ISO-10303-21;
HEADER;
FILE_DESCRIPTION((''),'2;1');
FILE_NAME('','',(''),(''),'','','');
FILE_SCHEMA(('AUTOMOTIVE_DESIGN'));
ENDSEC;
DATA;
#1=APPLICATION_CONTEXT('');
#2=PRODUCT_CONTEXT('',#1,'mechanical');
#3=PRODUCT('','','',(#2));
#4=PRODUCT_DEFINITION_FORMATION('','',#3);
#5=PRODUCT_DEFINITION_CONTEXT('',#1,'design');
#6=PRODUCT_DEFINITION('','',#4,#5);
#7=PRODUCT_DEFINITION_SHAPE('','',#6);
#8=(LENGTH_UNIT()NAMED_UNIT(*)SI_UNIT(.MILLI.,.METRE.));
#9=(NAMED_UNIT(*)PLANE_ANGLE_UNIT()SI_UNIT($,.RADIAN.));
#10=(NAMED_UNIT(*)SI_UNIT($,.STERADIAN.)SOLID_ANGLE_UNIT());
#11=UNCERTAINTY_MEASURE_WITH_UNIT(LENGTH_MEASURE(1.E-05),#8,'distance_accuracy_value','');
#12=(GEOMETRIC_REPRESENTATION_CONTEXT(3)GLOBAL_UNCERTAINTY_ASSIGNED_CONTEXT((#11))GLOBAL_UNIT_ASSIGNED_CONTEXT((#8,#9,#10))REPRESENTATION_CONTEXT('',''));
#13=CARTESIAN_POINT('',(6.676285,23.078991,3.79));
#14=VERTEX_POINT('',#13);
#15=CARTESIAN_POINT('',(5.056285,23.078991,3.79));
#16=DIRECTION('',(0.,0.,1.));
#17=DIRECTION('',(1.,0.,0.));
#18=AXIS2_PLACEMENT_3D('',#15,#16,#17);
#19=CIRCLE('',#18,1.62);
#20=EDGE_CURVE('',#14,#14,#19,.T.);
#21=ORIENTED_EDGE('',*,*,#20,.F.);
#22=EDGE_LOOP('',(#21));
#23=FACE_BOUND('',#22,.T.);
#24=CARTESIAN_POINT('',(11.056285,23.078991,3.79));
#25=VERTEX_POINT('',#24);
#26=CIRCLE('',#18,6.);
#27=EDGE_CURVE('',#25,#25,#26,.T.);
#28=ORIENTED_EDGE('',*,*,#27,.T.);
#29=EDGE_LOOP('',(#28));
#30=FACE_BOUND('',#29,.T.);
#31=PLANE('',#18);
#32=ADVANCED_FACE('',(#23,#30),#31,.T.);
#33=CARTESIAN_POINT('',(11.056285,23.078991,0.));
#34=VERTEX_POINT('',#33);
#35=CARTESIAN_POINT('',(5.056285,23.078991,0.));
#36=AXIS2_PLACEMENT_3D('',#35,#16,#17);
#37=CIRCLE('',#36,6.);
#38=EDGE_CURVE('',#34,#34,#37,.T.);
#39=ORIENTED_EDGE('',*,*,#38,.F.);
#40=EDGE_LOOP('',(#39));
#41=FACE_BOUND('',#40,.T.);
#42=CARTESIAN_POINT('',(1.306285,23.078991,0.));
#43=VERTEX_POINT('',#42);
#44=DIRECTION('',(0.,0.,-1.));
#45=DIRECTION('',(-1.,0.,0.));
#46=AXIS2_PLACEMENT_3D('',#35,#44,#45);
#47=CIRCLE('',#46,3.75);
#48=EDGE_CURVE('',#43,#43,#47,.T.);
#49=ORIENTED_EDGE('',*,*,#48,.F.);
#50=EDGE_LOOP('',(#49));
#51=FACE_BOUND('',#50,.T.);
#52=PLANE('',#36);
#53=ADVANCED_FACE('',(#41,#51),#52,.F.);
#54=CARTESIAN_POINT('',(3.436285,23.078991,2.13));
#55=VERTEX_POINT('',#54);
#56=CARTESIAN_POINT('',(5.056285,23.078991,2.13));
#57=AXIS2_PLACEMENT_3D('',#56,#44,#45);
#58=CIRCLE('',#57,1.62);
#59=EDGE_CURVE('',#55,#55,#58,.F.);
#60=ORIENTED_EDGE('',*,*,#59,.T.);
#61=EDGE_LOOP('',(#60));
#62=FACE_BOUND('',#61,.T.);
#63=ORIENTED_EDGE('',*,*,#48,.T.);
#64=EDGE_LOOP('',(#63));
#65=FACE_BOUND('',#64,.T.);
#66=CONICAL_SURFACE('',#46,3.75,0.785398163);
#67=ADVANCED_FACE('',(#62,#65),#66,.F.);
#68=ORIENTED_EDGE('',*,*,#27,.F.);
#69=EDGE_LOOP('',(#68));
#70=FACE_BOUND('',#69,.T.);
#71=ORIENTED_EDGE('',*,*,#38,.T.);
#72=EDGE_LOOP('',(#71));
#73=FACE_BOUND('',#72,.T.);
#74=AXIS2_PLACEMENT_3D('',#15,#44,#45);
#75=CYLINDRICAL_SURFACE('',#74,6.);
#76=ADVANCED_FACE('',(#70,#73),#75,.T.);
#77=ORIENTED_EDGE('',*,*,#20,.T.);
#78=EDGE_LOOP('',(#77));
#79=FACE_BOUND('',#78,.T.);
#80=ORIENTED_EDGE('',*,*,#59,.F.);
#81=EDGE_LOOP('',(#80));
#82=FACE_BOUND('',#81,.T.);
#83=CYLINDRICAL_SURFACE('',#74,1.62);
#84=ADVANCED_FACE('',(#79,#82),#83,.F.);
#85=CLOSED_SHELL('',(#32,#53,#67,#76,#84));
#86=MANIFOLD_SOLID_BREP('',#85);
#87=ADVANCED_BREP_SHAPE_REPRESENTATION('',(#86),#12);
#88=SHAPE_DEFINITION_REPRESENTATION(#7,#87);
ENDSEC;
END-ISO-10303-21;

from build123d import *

# Parameters (mm, degrees)
SKETCH1_R           = 6
SKETCH1_R_2         = 1.62
BOSS_EXTRUDE1_DEPTH = 3.79
SKETCH2_R           = 3.75
CUT_EXTRUDE1_DEPTH  = 10
CUT_EXTRUDE1_DRAFT  = -45


with BuildPart() as part:
    # Sketch1 → Boss-Extrude1 (new body)
    with BuildSketch(Plane.XY):
        with Locations((5.056285212, 23.07899143)):
            Circle(SKETCH1_R)
        with Locations((5.056285212, 23.07899143)):
            Circle(SKETCH1_R_2, mode=Mode.SUBTRACT)
    extrude(amount=BOSS_EXTRUDE1_DEPTH)


with BuildPart() as cut_extrude1_tool:
    # Sketch2 → Cut-Extrude1 (with draft: the straight prism first)
    with BuildSketch(Plane(origin=(0, 0, 0), x_dir=(-1, 0, 0), z_dir=(0, 0, -1))):
        with Locations((-5.056285212, 23.07899143)):
            Circle(SKETCH2_R)
    extrude(amount=-CUT_EXTRUDE1_DEPTH)
    # Cut-Extrude1: the draft: its side faces are tilted about the plane it starts from
    cut_extrude1_sides = [cut_extrude1_tool.faces().sort_by_distance(p)[0] for p in [
        (8.806285212, 23.07899143, 5),
    ]]
    draft(cut_extrude1_sides, Plane(origin=(0, 0, 0), x_dir=(-1, 0, 0), z_dir=(0, 0, -1)), CUT_EXTRUDE1_DRAFT)


with BuildPart() as part_1:
    add(part.part)

    # Cut-Extrude1: cut by cut_extrude1_tool
    add(cut_extrude1_tool.part, mode=Mode.SUBTRACT)


solid = part_1.part
